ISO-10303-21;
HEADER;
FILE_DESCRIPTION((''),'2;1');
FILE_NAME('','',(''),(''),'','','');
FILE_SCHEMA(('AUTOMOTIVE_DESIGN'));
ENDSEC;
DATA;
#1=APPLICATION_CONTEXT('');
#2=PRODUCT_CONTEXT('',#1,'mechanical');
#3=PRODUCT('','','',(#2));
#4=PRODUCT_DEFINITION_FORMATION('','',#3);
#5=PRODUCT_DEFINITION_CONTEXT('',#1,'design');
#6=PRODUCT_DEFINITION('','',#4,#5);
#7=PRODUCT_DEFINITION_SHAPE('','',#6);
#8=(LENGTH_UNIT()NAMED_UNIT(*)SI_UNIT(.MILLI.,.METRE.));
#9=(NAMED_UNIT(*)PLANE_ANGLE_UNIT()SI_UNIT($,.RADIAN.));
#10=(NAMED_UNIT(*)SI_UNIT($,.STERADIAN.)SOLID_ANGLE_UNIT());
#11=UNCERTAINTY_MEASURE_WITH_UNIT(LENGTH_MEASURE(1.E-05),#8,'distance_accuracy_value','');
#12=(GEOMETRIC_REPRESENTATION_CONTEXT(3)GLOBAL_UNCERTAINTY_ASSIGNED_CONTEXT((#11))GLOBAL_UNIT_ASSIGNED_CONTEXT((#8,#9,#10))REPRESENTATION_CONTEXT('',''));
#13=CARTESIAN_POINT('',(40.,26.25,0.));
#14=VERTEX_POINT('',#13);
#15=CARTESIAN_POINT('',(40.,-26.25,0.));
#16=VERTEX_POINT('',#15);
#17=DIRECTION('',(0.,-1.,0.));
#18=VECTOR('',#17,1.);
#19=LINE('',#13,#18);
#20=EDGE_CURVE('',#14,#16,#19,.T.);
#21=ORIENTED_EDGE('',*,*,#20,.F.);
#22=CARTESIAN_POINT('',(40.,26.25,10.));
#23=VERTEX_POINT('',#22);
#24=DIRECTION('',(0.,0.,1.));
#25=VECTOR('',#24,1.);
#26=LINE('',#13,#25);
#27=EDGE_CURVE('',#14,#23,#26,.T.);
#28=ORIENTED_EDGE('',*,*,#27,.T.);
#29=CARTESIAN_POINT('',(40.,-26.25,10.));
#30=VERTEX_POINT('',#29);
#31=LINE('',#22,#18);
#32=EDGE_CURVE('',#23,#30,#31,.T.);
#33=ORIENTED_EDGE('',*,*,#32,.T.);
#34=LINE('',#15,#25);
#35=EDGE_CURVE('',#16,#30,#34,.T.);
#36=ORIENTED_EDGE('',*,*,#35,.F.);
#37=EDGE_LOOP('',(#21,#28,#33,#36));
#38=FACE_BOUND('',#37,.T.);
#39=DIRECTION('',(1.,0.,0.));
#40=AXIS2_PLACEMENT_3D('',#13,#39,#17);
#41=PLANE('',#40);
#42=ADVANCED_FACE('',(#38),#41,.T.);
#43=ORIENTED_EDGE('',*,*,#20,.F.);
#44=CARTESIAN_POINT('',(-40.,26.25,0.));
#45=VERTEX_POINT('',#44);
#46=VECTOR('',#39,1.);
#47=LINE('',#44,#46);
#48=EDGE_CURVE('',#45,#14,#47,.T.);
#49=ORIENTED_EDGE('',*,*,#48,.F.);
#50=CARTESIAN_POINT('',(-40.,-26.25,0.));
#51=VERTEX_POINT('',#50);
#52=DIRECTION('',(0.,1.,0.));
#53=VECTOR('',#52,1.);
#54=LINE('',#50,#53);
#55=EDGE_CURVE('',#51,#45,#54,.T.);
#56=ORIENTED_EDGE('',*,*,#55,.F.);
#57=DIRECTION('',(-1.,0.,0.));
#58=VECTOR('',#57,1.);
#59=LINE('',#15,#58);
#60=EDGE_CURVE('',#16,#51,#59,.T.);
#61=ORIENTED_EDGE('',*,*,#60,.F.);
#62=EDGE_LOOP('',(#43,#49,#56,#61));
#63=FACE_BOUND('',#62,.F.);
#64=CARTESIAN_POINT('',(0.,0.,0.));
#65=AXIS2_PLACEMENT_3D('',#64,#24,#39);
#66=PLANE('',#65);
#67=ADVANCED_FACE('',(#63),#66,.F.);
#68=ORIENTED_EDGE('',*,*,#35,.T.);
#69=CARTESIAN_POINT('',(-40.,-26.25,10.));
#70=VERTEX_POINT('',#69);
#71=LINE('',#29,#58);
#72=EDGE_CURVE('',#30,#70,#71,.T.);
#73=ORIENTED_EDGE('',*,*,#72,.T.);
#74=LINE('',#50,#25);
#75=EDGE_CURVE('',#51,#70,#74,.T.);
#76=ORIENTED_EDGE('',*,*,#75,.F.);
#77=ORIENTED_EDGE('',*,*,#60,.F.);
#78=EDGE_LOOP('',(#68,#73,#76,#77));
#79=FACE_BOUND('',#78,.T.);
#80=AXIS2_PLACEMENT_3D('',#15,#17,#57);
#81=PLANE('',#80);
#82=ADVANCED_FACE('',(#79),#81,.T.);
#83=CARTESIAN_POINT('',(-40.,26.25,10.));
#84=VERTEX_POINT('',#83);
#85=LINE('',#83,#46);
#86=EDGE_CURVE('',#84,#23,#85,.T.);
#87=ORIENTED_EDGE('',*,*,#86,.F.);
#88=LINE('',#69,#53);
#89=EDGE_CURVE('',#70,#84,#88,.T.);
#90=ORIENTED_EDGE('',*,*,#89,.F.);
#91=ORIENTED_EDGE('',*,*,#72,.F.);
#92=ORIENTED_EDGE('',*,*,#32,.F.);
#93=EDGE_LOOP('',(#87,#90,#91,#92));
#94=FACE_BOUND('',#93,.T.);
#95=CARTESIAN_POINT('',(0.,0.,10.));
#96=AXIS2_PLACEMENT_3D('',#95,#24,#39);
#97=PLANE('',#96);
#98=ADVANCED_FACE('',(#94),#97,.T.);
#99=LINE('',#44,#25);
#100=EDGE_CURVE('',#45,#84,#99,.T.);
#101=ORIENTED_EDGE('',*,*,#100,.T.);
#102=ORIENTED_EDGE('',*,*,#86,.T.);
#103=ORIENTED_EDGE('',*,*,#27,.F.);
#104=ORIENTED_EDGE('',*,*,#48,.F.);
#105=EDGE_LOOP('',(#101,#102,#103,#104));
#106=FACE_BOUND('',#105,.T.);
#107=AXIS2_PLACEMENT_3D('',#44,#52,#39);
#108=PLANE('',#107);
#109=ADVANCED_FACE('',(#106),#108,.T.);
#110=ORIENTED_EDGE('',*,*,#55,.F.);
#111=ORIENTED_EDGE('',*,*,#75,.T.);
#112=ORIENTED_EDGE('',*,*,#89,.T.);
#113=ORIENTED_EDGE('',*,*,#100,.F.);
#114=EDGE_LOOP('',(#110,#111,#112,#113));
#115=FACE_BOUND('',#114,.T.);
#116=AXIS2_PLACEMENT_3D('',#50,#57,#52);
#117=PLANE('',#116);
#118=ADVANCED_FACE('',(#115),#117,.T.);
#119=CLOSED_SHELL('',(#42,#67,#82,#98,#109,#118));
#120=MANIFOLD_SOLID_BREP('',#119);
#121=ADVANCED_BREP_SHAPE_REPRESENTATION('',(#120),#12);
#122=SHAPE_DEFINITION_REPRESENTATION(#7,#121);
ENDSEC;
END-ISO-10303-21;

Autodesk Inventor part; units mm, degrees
ref_plane "YZ Plane" through (0, 0, 0) normal (1, 0, 0) x (0, 1, 0)
ref_plane "XZ Plane" through (0, 0, 0) normal (0, 1, 0) x (-1, 0, 0)
ref_plane "XY Plane" through (0, 0, 0) normal (0, 0, 1) x (1, 0, 0)
sketch "Sketch3" plane through (0, 0, 0) normal (0, 0, 1) x (1, 0, 0)
  line L0 (40, -26.25) -> (-40, -26.25)
  line L1 (-40, -26.25) -> (-40, 26.25)
  line L2 (-40, 26.25) -> (40, 26.25)
  line L3 (40, 26.25) -> (40, -26.25)
  line L4 (40, -26.25) -> (-40, 26.25) construction
  line L5 (-40, -26.25) -> (40, 26.25) construction
  point P0 (0, 0)
  dimension "d8" = 80
  dimension "d9" = 52.5
extrude "Extrusion2" add sketch "Sketch3" along normal blind 10
properties part number "SumoBotCad Pt.1"
